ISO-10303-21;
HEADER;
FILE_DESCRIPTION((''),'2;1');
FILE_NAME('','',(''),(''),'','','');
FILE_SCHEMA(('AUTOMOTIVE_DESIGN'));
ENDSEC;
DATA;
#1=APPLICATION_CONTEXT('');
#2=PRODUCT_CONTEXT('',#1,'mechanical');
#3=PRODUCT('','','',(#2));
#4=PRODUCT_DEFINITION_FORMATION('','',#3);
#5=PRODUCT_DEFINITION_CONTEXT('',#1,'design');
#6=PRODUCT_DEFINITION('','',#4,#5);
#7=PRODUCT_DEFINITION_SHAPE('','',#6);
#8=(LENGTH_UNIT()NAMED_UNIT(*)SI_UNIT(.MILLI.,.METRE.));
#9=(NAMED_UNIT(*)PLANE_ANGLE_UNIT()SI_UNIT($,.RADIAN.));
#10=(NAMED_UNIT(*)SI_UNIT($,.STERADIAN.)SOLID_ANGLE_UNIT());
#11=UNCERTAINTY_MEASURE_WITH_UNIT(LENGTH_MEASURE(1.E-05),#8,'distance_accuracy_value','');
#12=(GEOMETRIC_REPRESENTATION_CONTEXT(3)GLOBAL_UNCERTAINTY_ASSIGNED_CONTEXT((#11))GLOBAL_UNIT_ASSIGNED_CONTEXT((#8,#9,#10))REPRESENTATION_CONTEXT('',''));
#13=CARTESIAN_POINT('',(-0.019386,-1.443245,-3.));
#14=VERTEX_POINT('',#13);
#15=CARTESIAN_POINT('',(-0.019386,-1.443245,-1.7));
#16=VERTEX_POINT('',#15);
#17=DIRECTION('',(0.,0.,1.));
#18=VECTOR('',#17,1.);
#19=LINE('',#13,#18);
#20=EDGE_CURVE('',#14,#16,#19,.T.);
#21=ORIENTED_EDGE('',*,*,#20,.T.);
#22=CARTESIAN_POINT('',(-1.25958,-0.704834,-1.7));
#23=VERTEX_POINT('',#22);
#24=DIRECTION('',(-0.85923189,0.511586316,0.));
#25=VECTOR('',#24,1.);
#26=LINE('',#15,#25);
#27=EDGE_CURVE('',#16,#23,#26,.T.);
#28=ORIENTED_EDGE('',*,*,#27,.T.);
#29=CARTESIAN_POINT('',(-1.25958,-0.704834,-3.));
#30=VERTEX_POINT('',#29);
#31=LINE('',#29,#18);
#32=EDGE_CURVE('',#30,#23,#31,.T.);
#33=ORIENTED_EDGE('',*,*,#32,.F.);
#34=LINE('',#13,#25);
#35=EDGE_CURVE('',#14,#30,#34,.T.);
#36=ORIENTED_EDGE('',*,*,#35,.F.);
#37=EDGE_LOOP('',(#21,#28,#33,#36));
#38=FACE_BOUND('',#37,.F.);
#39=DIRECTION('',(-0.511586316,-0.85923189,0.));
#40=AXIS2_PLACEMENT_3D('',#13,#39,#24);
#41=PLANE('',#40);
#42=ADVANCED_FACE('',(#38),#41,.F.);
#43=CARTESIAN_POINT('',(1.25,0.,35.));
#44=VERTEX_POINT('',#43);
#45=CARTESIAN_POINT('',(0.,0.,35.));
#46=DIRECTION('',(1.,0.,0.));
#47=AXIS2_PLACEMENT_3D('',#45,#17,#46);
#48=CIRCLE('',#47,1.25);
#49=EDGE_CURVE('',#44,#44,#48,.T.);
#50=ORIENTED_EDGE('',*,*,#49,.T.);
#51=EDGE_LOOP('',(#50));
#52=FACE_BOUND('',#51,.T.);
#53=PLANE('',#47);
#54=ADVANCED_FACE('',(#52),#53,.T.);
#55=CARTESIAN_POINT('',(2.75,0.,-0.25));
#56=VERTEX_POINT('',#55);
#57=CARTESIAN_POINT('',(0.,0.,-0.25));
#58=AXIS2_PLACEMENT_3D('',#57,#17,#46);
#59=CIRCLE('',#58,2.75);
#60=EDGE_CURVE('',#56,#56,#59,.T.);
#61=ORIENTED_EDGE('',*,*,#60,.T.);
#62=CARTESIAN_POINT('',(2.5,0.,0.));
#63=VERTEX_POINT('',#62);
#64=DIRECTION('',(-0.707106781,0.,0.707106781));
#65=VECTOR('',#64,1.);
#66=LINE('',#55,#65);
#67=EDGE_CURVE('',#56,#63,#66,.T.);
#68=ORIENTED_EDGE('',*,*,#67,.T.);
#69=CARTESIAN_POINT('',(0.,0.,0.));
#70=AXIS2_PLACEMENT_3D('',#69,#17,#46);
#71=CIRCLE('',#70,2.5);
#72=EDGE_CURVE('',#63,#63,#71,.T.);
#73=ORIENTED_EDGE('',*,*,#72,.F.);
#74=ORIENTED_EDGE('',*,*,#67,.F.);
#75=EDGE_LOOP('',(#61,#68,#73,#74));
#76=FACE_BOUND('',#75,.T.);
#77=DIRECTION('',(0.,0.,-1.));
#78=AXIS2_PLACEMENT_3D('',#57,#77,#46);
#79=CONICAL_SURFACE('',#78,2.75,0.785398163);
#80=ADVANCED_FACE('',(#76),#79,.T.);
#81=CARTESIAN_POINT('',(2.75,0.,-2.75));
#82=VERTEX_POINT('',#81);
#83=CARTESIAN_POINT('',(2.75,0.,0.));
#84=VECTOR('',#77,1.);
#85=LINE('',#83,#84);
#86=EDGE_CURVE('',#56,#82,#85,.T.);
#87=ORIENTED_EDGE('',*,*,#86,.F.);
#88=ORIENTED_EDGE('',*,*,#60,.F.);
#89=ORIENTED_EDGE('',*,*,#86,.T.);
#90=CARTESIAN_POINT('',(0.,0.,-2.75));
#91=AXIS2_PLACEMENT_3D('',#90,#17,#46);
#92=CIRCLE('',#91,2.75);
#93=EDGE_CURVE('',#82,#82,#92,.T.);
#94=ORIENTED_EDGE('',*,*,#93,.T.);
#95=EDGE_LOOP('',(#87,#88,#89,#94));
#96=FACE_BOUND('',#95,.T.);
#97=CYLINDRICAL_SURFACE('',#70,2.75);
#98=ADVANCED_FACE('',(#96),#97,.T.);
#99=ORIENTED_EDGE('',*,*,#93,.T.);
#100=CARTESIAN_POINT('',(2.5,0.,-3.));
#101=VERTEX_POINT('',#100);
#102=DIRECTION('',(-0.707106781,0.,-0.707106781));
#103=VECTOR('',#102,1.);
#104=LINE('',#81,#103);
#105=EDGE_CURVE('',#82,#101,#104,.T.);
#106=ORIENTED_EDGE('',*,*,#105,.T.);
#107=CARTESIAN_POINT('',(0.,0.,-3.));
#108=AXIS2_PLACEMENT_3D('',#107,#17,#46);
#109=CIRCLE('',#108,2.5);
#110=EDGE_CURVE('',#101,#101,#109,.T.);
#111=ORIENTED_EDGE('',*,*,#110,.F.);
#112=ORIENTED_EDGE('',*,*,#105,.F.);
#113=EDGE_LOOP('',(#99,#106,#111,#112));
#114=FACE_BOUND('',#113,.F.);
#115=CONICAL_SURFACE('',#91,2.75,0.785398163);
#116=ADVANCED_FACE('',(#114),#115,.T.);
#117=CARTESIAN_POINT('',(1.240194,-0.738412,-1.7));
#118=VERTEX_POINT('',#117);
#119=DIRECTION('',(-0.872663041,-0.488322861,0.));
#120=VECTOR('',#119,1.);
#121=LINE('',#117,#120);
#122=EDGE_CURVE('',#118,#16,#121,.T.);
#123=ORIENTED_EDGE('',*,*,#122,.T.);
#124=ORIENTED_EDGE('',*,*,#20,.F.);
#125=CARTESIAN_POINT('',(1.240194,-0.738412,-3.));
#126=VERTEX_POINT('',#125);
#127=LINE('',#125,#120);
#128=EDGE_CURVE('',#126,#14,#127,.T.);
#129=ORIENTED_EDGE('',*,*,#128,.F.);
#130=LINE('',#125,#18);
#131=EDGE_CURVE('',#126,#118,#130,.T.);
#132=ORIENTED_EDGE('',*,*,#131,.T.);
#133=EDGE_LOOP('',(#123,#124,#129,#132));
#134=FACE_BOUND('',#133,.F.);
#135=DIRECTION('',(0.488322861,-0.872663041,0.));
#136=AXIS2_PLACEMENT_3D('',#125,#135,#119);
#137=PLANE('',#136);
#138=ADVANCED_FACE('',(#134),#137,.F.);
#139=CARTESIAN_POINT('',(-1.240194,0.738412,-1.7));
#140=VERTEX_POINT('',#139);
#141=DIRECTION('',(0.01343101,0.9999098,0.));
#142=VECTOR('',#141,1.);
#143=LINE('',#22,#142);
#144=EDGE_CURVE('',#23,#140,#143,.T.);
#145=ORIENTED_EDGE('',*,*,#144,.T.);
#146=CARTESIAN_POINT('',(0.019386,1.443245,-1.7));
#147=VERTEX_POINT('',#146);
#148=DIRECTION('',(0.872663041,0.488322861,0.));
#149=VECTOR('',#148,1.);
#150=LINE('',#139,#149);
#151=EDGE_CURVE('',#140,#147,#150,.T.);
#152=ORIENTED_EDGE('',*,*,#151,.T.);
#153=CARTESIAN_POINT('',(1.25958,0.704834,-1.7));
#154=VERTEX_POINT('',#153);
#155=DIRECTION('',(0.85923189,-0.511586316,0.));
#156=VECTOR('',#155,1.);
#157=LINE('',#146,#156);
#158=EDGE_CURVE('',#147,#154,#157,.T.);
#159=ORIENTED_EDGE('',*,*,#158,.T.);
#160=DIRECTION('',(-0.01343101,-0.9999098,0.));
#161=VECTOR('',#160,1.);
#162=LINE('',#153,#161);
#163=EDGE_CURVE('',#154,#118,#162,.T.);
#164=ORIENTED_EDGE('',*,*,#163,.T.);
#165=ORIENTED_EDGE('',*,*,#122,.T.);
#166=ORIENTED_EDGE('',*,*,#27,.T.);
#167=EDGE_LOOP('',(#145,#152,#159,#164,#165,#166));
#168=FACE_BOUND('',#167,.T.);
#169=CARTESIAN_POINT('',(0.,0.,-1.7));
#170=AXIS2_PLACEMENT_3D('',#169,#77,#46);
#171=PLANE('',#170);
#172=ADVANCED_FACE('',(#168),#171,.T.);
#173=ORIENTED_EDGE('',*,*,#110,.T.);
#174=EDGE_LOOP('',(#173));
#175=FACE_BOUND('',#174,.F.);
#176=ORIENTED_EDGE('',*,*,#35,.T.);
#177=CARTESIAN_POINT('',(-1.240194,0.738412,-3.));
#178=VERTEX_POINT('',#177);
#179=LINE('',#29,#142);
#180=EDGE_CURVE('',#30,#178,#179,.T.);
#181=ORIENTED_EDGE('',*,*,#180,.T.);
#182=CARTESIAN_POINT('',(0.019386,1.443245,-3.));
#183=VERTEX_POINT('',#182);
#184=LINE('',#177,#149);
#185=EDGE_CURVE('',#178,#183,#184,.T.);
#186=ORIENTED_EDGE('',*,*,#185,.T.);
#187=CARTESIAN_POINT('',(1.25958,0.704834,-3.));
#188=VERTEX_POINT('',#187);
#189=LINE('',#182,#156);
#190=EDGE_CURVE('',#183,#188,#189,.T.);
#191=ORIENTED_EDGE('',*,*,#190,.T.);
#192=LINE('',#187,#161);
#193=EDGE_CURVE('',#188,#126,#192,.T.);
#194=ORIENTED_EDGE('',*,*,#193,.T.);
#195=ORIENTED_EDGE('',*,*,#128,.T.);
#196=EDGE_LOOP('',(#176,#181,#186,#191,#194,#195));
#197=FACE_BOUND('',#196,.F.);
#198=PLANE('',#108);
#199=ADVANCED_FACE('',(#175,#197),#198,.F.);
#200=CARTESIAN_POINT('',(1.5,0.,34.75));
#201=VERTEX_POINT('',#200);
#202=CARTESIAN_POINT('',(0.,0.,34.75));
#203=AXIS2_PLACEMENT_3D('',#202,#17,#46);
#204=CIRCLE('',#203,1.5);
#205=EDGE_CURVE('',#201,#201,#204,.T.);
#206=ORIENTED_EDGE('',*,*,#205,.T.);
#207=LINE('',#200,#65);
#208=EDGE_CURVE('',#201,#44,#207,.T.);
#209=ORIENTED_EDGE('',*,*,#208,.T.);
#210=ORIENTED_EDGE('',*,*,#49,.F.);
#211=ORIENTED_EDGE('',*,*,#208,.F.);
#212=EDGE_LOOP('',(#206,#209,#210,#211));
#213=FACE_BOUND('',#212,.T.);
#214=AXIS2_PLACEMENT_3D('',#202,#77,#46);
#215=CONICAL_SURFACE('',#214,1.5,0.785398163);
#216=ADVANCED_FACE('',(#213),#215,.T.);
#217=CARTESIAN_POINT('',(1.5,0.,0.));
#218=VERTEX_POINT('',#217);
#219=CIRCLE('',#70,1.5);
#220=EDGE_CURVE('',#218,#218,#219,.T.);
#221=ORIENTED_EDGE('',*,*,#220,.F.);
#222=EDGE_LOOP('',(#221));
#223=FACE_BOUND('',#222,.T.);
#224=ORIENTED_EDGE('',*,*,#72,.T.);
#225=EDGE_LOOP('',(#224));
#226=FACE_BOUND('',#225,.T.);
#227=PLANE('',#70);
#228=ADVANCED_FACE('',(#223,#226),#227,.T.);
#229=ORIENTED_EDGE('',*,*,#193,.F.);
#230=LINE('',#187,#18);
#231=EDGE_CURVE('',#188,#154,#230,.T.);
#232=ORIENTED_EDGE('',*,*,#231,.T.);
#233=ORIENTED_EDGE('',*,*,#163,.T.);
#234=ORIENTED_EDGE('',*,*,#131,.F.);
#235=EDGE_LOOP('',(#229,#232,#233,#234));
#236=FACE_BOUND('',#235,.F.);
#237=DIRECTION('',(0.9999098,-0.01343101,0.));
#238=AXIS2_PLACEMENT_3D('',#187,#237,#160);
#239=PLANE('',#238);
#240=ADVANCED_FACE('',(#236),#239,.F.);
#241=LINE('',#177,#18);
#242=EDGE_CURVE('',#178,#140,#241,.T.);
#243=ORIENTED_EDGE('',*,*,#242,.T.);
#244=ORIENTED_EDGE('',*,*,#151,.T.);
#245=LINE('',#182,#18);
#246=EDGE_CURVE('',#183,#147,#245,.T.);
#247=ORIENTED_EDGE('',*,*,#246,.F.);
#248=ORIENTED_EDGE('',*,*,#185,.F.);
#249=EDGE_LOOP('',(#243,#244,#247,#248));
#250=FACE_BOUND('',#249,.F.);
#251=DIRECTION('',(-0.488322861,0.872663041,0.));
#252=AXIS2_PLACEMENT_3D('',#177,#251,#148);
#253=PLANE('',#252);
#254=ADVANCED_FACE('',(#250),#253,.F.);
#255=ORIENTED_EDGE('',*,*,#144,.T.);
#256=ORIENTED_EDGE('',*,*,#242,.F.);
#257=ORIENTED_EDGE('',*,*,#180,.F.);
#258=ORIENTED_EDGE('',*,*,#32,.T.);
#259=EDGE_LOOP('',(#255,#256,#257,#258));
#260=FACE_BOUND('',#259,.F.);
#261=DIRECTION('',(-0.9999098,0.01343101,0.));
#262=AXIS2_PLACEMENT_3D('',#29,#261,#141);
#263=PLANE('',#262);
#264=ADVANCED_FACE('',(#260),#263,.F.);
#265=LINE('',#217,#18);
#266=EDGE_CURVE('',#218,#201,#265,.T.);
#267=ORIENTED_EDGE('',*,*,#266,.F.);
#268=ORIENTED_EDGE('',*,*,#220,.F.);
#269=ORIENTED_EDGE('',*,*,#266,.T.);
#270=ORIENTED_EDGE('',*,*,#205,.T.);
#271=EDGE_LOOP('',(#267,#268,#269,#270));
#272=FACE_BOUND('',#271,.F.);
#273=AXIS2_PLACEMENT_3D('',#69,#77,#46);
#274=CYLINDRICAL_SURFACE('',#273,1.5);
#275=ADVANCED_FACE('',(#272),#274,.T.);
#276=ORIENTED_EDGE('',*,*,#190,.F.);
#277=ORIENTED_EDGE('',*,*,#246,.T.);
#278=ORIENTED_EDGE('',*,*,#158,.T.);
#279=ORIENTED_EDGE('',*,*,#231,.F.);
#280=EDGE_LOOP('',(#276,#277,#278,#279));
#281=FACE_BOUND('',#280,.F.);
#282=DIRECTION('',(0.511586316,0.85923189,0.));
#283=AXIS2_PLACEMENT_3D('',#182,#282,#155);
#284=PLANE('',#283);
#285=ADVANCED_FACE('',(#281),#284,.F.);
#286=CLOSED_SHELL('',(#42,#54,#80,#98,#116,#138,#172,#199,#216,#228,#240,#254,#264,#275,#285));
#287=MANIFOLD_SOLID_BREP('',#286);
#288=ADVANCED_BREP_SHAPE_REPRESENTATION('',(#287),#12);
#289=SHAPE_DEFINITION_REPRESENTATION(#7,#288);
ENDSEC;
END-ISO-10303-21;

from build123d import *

# Parameters (mm, degrees)
F0_R     = 1.5
F1_DEPTH = 35
F2_R     = 2.75
F3_DEPTH = 3
F5_DEPTH = 1.3
F6_SIZE  = 0.25


with BuildPart() as f1:
    # F0 (on Top) → F1 (new body)
    with BuildSketch(Plane.XY):
        Circle(F0_R)
    extrude(amount=F1_DEPTH)

    # F2 (on Top) → F3 (join)
    with BuildSketch(Plane.XY):
        Circle(F2_R)
    extrude(amount=-F3_DEPTH)

    # F4 (on face) → F5 (cut)
    with BuildSketch(Plane(origin=(0, 0, -3), x_dir=(1, 0, 0), z_dir=(0, 0, -1))):
        Polygon((0.019386, -1.443245), (1.25958, -0.704834), (1.240194, 0.738412), (-0.019386, 1.443245), (-1.25958, 0.704834), (-1.240194, -0.738412), align=None)
    extrude(amount=-F5_DEPTH, mode=Mode.SUBTRACT)

    # F6
    f6_edges = [f1.edges().sort_by_distance(p)[0] for p in [
        (-2.75, 0, -3),
        (-2.75, 0, 0),
        (-1.5, 0, 35),
    ]]
    chamfer(f6_edges, length=F6_SIZE)


solid = f1.part
